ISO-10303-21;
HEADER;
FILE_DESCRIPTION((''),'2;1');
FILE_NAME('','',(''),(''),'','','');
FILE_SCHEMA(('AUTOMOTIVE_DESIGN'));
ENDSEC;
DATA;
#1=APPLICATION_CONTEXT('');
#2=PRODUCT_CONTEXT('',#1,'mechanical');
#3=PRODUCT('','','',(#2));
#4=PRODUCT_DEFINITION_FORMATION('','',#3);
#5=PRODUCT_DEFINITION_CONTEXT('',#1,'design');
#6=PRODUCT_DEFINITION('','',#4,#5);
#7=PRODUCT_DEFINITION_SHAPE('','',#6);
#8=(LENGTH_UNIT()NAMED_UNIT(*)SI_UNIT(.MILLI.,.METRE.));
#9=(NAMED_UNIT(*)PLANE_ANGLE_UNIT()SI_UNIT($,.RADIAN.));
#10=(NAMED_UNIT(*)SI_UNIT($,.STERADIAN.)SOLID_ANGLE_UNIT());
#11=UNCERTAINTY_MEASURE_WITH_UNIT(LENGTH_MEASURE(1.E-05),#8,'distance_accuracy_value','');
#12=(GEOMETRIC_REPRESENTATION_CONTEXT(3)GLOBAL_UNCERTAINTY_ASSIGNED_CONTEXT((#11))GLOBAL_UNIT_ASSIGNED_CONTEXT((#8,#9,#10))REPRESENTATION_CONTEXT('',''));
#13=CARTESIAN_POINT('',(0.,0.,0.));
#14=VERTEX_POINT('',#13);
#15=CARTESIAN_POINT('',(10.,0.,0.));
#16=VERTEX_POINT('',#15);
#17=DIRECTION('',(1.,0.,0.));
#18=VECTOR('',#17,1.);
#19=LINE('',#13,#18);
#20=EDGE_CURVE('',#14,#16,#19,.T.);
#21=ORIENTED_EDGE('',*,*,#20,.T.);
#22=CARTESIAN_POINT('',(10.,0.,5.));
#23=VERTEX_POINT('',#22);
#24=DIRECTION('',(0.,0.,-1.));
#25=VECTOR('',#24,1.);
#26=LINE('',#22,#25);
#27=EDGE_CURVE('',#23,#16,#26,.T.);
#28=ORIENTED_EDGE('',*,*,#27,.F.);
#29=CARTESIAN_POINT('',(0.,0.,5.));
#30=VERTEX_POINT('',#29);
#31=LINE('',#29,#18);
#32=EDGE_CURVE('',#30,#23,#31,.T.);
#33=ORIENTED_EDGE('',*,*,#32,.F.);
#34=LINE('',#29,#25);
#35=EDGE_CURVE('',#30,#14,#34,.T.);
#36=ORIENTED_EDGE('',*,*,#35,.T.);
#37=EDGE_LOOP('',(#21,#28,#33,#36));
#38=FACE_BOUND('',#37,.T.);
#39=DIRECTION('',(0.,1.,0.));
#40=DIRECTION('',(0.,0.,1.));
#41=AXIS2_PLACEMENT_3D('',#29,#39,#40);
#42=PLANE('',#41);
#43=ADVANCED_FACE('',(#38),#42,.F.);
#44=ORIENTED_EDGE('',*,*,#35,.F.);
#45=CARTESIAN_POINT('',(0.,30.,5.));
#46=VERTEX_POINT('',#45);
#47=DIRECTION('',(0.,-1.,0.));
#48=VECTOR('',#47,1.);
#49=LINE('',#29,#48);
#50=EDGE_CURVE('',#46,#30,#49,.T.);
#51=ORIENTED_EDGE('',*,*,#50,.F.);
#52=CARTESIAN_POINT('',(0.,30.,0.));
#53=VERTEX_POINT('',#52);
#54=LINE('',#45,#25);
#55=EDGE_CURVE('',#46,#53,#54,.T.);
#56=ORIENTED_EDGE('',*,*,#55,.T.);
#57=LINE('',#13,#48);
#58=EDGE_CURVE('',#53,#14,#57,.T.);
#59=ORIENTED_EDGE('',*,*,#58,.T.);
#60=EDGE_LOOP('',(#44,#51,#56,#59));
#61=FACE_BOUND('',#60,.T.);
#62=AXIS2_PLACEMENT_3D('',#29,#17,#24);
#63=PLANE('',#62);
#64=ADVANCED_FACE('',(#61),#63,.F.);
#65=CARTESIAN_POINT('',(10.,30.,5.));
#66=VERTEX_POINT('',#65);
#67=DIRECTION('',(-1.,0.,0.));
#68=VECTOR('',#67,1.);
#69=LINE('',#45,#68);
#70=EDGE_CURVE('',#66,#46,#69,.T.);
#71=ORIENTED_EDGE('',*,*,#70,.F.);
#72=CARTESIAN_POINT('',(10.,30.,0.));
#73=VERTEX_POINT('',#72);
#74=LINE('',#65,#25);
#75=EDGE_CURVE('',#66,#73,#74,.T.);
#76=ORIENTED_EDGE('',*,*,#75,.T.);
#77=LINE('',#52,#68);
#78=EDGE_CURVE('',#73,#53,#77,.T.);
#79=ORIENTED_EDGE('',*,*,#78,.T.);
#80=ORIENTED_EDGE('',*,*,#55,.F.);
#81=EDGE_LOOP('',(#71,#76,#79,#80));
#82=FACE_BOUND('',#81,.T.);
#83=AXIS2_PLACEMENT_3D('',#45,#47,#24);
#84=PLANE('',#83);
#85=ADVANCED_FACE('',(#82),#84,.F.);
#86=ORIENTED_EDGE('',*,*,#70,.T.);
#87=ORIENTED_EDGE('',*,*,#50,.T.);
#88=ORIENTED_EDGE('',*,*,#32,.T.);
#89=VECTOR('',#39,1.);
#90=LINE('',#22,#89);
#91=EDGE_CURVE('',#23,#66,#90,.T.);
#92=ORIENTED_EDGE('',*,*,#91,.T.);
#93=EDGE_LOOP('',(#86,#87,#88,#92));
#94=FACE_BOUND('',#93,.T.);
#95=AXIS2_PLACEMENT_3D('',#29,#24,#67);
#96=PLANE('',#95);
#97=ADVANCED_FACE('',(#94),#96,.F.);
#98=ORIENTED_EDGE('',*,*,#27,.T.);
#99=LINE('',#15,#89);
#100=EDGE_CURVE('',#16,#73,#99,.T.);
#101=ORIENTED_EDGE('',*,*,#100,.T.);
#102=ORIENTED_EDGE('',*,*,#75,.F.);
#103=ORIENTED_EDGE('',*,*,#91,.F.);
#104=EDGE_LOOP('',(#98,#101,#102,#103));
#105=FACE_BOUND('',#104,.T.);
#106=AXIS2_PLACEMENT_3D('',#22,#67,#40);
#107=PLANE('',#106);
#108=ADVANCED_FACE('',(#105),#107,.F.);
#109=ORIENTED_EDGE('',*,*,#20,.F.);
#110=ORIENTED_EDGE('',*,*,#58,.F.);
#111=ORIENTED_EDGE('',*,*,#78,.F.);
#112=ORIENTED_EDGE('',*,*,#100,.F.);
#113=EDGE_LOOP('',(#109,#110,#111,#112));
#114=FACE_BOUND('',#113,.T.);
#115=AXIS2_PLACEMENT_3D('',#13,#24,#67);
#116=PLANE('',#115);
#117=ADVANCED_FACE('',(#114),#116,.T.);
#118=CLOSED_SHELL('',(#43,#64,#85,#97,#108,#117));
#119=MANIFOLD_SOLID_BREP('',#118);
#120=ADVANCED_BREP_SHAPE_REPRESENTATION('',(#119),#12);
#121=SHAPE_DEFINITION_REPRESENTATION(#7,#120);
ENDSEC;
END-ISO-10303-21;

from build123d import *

# Parameters (mm, degrees)
SKETCH1_W           = 10
SKETCH1_H           = 30
BOSS_EXTRUDE1_DEPTH = 5


with BuildPart() as part:
    # Sketch1 → Boss-Extrude1 (new body)
    with BuildSketch(Plane.XY):
        with Locations((5, 15)):
            Rectangle(SKETCH1_W, SKETCH1_H)
    extrude(amount=BOSS_EXTRUDE1_DEPTH)


solid = part.part
